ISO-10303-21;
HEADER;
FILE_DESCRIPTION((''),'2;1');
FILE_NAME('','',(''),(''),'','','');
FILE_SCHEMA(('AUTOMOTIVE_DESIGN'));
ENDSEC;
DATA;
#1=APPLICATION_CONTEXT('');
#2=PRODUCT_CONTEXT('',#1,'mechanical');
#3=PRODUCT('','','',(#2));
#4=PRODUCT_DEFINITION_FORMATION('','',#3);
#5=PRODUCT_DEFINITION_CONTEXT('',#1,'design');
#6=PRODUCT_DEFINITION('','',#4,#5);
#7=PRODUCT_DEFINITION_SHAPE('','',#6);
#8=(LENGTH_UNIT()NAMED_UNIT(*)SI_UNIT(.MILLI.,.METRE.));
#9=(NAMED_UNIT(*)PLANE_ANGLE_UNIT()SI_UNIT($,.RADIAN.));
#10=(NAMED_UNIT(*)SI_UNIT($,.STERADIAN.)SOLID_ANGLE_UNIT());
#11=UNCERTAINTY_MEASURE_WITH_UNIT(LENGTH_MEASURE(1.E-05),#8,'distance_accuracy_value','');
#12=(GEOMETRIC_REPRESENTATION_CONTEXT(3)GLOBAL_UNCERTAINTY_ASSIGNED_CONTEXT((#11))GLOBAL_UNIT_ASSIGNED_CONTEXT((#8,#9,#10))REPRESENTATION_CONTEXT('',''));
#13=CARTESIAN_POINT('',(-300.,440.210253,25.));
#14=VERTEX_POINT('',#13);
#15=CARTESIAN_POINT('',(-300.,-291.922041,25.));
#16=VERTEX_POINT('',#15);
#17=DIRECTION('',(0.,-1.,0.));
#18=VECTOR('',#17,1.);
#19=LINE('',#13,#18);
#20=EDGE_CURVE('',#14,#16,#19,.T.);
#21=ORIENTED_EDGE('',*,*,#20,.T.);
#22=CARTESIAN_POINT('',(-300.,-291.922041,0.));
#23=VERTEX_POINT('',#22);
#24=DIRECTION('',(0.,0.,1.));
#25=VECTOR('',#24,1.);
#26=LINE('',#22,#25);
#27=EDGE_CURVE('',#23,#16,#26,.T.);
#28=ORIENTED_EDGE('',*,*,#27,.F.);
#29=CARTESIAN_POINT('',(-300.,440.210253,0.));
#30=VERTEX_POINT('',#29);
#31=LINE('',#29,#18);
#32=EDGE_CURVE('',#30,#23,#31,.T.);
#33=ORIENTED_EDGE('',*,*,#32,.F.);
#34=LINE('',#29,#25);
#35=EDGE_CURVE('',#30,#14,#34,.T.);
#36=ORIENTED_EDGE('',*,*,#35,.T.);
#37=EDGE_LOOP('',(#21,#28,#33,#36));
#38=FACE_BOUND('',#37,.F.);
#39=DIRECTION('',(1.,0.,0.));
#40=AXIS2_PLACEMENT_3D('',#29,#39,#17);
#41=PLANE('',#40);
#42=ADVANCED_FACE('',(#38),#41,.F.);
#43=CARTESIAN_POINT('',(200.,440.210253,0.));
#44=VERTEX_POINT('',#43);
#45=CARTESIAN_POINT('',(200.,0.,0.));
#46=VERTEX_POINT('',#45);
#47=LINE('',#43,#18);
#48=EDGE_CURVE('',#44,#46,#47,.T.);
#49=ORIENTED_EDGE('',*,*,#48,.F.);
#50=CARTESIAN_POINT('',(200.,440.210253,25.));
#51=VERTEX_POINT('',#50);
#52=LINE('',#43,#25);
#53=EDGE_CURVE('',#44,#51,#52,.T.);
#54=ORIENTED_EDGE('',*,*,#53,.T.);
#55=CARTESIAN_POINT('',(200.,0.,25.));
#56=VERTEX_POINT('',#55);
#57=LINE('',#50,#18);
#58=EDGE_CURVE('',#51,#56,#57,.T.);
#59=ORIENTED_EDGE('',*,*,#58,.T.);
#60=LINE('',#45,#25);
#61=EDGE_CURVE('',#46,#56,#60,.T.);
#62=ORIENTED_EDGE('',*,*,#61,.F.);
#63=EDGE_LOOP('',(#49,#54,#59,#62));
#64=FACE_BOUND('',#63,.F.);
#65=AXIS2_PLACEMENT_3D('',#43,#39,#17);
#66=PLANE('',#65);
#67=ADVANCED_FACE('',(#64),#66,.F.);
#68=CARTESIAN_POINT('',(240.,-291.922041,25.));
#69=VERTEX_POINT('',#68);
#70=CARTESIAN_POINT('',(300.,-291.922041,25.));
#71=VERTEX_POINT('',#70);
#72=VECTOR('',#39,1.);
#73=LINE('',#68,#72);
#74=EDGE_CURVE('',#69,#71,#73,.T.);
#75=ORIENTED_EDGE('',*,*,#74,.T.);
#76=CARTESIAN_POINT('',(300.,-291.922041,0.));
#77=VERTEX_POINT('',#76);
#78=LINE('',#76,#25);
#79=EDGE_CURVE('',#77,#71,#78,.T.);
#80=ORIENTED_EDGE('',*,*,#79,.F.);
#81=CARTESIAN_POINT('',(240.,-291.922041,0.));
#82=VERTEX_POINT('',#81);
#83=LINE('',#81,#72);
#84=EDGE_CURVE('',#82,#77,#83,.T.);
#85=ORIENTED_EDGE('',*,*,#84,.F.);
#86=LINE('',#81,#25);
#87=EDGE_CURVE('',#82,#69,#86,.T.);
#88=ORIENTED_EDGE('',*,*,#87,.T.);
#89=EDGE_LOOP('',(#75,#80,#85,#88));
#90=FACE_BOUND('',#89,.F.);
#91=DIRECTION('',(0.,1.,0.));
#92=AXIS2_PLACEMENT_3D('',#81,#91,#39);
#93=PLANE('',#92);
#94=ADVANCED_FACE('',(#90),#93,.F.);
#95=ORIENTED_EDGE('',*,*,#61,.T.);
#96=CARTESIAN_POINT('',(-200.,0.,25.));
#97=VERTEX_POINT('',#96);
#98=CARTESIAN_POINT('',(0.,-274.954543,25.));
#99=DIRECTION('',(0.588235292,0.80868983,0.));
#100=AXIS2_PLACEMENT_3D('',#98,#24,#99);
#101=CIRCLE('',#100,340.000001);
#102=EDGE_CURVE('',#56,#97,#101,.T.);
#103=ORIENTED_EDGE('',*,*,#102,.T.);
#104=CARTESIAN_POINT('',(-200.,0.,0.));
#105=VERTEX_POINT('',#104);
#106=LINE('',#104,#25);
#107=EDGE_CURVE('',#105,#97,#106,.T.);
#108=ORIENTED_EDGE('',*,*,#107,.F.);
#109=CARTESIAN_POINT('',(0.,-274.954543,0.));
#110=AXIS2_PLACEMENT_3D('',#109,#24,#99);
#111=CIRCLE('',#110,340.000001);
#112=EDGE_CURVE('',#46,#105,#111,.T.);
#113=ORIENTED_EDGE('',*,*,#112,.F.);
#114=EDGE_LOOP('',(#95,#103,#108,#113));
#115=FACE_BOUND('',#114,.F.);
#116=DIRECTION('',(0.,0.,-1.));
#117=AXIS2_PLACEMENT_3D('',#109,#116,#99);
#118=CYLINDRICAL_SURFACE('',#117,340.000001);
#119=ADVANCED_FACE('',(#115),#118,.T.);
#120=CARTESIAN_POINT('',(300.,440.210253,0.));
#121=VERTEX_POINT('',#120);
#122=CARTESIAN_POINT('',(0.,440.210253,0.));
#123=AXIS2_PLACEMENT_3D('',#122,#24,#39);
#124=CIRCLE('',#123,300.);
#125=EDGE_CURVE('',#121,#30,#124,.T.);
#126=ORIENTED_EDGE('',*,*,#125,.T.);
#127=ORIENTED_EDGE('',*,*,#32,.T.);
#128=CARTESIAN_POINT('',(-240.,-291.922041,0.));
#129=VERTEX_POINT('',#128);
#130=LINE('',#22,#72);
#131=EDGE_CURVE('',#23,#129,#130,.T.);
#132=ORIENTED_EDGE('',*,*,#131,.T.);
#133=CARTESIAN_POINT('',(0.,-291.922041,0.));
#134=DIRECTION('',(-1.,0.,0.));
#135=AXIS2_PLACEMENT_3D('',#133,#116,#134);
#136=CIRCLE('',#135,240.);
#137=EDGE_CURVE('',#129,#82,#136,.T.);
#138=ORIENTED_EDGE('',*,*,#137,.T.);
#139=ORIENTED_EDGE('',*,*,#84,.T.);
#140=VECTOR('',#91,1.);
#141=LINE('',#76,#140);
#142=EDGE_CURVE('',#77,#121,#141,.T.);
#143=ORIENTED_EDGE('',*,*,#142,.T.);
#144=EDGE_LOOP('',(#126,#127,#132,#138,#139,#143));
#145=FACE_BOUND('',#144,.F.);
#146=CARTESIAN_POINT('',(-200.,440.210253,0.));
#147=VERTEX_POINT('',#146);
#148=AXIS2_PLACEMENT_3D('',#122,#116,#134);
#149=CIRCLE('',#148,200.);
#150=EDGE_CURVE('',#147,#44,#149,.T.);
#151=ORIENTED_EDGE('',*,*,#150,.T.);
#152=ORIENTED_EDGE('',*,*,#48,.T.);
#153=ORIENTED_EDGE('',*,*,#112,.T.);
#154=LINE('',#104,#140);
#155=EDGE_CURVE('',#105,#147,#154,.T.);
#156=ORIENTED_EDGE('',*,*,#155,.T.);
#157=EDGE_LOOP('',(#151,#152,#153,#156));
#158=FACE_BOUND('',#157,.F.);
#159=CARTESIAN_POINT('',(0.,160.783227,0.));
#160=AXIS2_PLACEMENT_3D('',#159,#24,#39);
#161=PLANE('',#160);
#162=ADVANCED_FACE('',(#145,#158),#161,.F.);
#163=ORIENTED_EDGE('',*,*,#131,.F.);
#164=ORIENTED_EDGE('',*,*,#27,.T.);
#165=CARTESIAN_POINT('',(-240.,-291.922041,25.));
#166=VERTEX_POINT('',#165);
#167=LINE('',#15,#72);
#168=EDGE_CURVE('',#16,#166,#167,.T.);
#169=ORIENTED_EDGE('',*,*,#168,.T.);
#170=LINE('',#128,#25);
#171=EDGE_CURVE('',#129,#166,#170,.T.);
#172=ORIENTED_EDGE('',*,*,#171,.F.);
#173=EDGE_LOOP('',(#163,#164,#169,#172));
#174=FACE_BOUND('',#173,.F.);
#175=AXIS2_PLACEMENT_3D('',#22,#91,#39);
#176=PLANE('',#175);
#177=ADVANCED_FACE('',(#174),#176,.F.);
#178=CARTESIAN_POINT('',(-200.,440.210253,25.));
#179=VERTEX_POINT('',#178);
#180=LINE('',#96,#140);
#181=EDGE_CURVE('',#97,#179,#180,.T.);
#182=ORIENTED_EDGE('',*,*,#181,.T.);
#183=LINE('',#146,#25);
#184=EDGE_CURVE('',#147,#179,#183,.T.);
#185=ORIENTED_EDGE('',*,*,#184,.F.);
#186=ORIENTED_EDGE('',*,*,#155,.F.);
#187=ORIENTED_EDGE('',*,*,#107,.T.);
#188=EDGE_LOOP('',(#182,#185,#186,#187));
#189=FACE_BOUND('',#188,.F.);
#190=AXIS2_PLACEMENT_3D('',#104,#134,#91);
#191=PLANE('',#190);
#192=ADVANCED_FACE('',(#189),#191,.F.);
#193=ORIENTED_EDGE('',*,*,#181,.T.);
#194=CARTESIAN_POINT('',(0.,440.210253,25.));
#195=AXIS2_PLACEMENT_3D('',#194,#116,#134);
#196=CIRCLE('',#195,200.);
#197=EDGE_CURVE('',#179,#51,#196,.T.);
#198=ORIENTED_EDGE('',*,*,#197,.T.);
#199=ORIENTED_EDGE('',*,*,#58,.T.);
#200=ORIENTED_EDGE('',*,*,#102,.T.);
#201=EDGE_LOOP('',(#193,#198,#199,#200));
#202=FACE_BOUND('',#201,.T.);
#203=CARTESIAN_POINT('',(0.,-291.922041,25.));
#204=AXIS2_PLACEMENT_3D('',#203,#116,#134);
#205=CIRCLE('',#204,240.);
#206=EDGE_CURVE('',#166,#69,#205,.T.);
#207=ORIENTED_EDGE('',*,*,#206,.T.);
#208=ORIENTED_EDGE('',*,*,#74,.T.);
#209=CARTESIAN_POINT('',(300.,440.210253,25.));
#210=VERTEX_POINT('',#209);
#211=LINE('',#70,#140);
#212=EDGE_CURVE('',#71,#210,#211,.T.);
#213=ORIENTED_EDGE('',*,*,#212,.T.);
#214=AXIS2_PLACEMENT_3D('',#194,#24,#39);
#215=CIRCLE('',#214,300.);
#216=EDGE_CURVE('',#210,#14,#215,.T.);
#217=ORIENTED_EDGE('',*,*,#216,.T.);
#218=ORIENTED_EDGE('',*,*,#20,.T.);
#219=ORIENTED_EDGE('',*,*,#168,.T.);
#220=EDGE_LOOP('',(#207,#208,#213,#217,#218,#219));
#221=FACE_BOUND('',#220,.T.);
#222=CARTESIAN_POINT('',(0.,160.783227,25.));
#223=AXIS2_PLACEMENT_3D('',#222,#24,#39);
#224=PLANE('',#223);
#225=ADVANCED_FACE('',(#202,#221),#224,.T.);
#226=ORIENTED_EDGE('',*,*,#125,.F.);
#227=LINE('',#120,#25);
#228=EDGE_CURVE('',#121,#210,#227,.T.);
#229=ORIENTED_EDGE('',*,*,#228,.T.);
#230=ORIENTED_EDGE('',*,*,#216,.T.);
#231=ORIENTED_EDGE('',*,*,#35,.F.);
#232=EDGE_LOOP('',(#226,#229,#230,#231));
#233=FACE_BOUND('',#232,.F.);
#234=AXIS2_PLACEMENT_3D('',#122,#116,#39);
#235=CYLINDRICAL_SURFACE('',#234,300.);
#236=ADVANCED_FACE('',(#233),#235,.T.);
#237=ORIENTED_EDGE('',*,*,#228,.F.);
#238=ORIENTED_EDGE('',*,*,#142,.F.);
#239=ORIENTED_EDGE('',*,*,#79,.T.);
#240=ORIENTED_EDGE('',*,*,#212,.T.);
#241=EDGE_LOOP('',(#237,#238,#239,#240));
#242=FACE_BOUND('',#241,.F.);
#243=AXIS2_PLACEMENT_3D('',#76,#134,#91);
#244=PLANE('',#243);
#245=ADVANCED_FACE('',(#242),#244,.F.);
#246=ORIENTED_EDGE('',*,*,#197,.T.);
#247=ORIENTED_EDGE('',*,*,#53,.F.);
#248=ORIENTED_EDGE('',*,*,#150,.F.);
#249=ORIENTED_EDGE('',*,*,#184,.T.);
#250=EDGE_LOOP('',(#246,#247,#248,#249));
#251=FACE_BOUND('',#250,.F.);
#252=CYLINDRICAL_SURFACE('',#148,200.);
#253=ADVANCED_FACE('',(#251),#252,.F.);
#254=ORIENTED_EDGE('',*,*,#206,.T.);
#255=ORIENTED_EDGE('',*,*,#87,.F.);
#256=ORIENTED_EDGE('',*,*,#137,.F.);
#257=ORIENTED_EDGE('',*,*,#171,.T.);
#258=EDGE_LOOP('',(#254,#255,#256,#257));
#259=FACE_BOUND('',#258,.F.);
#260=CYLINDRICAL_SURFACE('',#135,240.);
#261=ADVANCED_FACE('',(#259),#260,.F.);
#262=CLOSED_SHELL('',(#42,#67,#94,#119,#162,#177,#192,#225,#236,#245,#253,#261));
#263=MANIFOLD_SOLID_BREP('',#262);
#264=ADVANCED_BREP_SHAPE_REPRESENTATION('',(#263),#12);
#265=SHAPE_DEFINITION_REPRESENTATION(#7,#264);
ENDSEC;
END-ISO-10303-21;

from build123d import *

# Parameters (mm, degrees)
F1_DEPTH = 25


with BuildPart() as f1:
    # F0 (on Top) → F1 (new body)
    with BuildSketch(Plane.XY):
        with BuildLine():
            Line((-300, 440.210253), (-300, -291.922041))
            Line((-300, -291.922041), (-240, -291.922041))
            ThreePointArc((-240, -291.922041), (0, -51.922041), (240, -291.922041))
            Line((240, -291.922041), (300, -291.922041))
            Line((300, -291.922041), (300, 440.210253))
            ThreePointArc((300, 440.210253), (0, 740.210253), (-300, 440.210253))
        make_face()
        with BuildLine():
            ThreePointArc((200, 0), (0, 65.045458), (-200, 0))
            Line((-200, 0), (-200, 440.210253))
            ThreePointArc((-200, 440.210253), (0, 640.210253), (200, 440.210253))
            Line((200, 440.210253), (200, 0))
        make_face(mode=Mode.SUBTRACT)
    extrude(amount=F1_DEPTH)


solid = f1.part
